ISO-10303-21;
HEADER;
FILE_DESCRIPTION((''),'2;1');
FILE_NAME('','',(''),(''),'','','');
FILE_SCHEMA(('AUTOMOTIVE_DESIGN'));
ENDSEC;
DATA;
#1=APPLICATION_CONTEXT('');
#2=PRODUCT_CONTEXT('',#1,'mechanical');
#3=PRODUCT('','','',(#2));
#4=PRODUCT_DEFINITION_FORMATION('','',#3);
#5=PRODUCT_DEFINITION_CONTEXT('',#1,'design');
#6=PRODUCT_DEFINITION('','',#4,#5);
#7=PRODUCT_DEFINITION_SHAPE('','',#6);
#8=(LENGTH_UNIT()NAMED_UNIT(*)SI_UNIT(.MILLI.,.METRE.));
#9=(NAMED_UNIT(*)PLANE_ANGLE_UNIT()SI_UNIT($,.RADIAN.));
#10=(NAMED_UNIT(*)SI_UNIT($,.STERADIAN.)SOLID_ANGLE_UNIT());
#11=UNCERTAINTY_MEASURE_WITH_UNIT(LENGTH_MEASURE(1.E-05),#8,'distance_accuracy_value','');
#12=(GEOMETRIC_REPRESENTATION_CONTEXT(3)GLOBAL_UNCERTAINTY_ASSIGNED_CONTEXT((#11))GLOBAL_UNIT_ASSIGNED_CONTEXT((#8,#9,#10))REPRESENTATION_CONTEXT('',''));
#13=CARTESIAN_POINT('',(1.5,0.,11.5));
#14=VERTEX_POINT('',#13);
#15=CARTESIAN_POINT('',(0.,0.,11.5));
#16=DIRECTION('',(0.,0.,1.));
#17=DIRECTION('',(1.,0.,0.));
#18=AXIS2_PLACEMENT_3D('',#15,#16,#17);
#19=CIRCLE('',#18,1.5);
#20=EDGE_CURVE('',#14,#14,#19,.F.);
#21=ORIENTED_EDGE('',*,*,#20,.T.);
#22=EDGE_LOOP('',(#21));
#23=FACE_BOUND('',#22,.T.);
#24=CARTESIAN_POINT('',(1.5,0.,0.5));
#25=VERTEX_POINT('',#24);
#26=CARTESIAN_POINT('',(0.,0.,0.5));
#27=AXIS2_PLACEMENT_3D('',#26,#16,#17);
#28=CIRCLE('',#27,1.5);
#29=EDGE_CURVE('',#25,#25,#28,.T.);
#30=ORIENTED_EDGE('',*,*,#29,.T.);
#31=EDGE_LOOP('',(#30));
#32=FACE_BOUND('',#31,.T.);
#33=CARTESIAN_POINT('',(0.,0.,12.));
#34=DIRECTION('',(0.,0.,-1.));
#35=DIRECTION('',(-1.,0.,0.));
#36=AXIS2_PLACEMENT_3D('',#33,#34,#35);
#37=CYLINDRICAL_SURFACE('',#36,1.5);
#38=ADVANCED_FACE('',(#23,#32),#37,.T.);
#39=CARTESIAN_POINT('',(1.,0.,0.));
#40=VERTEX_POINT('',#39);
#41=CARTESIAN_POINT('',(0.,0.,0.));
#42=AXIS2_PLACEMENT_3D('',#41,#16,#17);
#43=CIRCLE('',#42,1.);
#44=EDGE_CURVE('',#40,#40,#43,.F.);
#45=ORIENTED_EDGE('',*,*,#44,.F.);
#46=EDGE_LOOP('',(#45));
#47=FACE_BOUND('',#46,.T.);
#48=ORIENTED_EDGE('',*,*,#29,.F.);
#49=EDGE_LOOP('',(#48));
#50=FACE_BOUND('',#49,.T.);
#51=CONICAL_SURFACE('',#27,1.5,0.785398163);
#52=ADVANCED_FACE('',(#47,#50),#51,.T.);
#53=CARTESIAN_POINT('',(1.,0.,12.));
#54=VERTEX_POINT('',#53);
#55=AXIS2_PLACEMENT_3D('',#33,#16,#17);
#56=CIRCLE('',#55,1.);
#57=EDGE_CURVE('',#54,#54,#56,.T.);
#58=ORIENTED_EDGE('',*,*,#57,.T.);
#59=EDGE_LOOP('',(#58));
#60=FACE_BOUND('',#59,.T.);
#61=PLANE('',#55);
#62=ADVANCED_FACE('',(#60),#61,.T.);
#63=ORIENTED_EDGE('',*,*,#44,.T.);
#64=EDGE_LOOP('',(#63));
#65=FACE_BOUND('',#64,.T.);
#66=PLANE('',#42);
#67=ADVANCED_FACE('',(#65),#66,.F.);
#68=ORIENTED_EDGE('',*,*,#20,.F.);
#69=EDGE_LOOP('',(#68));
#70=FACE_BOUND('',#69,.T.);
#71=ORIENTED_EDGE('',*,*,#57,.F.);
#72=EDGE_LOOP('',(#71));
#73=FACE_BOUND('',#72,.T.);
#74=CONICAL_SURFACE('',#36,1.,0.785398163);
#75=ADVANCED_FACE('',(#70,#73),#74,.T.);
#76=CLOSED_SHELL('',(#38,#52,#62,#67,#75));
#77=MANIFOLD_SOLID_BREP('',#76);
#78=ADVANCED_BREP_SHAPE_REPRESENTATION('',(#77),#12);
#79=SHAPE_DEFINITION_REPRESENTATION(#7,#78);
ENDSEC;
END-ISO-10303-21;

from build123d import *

# Parameters (mm, degrees)
SKETCH1_R           = 1.5
BOSS_EXTRUDE1_DEPTH = 12
CHAMFER1_SIZE       = 0.5


with BuildPart() as part:
    # Sketch1 → Boss-Extrude1 (new body)
    with BuildSketch(Plane.XY):
        Circle(SKETCH1_R)
    extrude(amount=BOSS_EXTRUDE1_DEPTH)

    # Chamfer1
    chamfer1_edges = [part.edges().sort_by_distance(p)[0] for p in [
        (-1.5, 0, 0),
        (-1.5, 0, 12),
    ]]
    chamfer(chamfer1_edges, length=CHAMFER1_SIZE)


solid = part.part
